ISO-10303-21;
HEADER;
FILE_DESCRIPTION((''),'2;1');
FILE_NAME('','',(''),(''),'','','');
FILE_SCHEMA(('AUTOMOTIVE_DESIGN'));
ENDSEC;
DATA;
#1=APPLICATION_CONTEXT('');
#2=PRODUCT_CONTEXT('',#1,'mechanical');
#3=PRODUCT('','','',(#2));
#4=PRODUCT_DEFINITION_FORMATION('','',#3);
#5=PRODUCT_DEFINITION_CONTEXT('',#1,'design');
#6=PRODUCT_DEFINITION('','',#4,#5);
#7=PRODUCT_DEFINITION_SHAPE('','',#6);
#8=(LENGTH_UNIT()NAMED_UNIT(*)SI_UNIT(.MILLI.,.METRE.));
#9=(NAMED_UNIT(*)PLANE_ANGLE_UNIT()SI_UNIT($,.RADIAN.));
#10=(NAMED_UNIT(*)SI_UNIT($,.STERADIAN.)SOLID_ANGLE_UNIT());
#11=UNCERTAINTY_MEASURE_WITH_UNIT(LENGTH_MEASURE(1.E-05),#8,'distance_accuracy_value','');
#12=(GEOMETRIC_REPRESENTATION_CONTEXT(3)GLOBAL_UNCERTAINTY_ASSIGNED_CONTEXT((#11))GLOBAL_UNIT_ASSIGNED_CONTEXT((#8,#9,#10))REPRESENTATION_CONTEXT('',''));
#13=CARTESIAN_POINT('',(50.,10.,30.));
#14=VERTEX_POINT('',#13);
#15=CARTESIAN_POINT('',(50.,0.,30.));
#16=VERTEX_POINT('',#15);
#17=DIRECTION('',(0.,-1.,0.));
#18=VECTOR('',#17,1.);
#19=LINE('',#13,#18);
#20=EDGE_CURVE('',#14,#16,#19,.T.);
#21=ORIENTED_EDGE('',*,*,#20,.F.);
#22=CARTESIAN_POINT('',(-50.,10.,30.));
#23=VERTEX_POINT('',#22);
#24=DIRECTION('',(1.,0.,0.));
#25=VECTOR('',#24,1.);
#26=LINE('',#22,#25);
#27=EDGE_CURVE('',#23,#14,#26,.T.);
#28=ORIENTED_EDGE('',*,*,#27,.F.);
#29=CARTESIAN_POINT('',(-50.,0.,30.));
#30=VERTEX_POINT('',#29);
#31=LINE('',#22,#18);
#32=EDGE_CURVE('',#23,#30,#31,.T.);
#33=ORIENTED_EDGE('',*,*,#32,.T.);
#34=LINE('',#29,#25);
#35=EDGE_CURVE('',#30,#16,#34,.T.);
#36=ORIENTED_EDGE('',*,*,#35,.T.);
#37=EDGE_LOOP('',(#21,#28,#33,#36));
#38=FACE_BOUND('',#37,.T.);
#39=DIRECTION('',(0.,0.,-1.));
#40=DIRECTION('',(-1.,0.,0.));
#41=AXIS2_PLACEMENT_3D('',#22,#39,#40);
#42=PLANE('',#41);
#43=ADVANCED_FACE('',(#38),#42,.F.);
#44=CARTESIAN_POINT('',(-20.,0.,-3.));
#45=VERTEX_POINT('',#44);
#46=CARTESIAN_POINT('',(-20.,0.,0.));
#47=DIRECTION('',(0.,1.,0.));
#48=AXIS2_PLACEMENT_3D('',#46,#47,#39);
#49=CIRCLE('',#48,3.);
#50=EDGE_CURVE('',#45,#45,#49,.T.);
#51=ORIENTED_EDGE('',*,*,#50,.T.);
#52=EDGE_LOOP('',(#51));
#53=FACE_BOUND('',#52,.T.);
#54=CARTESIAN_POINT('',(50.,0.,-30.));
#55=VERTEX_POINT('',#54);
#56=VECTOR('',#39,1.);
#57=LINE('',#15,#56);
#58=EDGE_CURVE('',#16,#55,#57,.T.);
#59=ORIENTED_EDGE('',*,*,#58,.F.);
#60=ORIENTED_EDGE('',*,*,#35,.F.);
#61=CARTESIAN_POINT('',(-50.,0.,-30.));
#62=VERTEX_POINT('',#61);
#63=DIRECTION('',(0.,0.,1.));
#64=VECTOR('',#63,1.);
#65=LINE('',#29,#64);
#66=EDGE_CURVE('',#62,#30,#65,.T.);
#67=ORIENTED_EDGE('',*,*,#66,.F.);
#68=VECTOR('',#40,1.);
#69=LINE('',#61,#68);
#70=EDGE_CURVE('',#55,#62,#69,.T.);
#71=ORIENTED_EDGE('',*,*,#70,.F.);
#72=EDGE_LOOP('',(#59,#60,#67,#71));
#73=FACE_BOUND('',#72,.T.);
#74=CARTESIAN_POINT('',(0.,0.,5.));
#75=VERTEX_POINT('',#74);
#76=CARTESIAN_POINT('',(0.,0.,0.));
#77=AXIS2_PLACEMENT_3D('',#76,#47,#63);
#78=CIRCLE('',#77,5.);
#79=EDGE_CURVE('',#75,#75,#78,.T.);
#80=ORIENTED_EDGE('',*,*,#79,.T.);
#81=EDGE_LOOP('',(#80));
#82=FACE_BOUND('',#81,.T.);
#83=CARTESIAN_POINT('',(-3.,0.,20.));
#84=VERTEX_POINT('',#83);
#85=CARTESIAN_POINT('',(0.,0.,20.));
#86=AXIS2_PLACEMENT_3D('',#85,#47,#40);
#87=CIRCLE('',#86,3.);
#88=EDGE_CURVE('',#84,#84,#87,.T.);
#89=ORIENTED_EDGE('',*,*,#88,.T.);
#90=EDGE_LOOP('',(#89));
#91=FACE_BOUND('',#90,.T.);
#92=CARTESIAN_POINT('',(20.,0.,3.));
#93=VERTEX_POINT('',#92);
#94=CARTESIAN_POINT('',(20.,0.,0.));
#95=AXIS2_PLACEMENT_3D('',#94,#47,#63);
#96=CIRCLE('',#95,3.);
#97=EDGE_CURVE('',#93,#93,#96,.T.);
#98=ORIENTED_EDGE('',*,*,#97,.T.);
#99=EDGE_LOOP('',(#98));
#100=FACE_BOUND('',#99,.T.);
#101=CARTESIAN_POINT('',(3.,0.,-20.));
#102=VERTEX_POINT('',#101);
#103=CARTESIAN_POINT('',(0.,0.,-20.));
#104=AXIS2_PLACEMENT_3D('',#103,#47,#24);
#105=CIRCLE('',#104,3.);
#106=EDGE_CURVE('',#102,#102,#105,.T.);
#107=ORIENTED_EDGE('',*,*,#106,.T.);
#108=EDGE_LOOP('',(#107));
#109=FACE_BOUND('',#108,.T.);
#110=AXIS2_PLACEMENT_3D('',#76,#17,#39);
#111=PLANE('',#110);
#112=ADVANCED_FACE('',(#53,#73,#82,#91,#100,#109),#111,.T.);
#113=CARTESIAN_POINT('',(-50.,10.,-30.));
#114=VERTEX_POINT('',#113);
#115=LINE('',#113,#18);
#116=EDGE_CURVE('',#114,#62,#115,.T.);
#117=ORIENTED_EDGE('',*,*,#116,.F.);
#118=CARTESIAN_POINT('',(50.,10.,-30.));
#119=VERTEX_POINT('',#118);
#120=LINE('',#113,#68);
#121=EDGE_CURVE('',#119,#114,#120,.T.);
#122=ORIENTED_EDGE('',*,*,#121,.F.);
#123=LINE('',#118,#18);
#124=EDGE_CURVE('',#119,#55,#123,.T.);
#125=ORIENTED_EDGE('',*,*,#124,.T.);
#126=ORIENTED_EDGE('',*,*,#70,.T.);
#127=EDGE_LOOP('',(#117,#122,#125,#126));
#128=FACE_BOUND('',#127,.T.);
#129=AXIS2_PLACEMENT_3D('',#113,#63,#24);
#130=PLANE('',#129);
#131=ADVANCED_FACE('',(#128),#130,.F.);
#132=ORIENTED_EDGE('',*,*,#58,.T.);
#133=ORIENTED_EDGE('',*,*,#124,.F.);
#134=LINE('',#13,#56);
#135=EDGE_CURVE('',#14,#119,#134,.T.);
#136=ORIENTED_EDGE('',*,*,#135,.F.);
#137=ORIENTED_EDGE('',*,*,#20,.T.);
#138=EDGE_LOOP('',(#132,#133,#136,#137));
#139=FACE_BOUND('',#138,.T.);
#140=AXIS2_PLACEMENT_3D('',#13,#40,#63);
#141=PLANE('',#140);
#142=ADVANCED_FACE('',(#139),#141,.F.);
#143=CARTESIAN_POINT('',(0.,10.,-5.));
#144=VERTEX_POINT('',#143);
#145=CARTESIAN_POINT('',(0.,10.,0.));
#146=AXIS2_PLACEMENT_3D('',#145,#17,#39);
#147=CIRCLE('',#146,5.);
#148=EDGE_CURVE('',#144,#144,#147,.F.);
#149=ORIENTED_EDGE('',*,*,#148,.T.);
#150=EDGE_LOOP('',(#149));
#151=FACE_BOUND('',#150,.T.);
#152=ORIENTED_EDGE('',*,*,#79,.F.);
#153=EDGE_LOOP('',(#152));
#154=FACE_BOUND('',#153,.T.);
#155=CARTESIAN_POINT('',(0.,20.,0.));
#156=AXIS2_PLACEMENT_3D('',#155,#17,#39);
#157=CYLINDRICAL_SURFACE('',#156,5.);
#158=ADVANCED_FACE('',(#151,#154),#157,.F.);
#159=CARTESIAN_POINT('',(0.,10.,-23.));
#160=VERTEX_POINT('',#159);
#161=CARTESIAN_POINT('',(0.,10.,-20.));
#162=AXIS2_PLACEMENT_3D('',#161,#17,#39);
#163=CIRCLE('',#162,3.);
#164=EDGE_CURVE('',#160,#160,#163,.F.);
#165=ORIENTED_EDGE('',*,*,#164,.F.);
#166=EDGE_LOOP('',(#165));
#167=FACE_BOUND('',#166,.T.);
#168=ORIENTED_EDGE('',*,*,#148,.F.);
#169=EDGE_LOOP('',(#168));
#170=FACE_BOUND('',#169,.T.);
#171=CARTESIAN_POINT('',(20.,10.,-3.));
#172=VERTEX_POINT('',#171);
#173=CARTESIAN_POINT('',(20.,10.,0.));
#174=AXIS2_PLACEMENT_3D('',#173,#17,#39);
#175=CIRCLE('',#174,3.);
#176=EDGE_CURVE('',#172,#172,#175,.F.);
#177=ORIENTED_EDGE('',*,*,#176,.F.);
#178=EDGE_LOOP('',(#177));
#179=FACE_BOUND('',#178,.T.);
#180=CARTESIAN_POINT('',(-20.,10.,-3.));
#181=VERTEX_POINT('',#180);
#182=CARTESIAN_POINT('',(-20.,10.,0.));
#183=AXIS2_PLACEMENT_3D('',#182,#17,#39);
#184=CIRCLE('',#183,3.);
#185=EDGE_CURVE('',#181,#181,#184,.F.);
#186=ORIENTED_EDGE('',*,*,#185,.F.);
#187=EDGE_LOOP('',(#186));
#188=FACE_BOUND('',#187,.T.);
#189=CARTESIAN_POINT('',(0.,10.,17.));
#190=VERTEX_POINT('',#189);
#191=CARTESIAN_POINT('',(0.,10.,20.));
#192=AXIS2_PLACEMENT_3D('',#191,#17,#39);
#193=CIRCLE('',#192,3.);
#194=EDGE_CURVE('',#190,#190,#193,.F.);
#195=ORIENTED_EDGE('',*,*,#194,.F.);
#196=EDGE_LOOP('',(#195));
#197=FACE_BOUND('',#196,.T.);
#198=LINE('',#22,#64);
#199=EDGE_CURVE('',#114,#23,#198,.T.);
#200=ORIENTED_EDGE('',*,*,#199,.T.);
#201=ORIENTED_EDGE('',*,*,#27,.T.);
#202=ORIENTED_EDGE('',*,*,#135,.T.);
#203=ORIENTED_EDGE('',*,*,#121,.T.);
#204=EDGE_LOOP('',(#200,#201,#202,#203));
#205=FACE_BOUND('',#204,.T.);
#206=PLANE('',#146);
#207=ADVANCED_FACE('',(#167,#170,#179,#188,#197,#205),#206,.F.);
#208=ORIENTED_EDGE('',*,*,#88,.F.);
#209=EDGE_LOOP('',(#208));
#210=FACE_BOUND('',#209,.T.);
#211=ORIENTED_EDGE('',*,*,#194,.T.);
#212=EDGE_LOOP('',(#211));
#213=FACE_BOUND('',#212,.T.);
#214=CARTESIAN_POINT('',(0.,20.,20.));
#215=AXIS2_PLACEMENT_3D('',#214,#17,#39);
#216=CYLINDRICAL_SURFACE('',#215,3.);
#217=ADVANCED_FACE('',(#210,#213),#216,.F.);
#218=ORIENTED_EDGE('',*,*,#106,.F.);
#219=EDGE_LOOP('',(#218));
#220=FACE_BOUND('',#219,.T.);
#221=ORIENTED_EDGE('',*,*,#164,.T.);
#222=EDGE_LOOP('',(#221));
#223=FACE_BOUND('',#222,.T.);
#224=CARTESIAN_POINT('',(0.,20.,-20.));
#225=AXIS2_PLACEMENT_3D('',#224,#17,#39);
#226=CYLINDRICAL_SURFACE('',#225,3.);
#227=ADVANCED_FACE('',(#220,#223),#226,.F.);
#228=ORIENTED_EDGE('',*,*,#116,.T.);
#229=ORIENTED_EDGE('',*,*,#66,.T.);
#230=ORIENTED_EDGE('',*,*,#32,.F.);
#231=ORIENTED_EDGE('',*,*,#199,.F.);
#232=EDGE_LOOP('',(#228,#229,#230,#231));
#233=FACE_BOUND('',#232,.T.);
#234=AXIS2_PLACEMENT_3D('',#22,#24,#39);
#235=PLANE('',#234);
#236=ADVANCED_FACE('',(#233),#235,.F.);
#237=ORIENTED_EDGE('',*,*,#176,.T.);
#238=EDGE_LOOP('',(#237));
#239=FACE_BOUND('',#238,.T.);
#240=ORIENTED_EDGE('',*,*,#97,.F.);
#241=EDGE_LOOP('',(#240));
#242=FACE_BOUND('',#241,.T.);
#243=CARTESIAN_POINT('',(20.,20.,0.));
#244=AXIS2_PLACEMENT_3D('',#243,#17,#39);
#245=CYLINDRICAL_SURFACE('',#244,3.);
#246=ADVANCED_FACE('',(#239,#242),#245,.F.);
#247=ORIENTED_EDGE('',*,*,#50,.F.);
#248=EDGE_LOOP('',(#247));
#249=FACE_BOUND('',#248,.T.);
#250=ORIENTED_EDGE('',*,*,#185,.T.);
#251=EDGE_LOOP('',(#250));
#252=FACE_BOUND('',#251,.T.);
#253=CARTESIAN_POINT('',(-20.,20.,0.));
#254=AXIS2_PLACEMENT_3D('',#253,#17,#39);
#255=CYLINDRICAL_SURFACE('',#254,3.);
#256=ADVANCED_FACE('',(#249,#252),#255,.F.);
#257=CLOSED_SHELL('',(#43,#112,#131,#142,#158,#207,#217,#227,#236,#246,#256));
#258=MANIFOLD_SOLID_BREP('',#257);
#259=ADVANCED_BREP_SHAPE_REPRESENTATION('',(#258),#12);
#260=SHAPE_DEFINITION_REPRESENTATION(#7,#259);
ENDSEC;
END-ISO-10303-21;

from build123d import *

# Parameters (mm, degrees)
SKETCH_1_W               = 100
SKETCH_1_H               = 60
EXTRUDE_1_DEPTH          = 10
SKETCH_2_R               = 5
CUT_EXTRUDE_1_DEPTH      = 20
SKETCH_3_R               = 3
CUT_EXTRUDE_2_DEPTH      = 20
PATTERN_CIRCULAR_1_COUNT = 4


with BuildPart() as part:
    # 草图1 → 凸台-拉伸1 (new body)
    with BuildSketch(Plane(origin=(0, 0, 0), x_dir=(1, 0, 0), z_dir=(0, 1, 0))):
        Rectangle(SKETCH_1_W, SKETCH_1_H)
    extrude(amount=EXTRUDE_1_DEPTH)

    # 草图2 → 切除-拉伸1 (cut)
    with BuildSketch(Plane(origin=(0, 0, 0), x_dir=(1, 0, 0), z_dir=(0, 1, 0))):
        with Locations(Location((0, 0, 0), (0, 0, 90))):
            Circle(SKETCH_2_R)
    extrude(amount=CUT_EXTRUDE_1_DEPTH, mode=Mode.SUBTRACT)

    # 草图3 → 切除-拉伸2 (cut)
    with BuildSketch(Plane(origin=(0, 0, 0), x_dir=(1, 0, 0), z_dir=(0, 1, 0))):
        with Locations(Location((20, 0, 0), (0, 0, 90))):
            Circle(SKETCH_3_R)
    cut_extrude_2 = extrude(amount=CUT_EXTRUDE_2_DEPTH, mode=Mode.SUBTRACT)

    # 阵列(圆周)1: 切除-拉伸2 ×4 about axis
    pattern_circular_1_axis = Axis((0, 0, 0), (0, 1, 0))
    for i in range(1, PATTERN_CIRCULAR_1_COUNT):
        add(cut_extrude_2.rotate(pattern_circular_1_axis, i * 360 / PATTERN_CIRCULAR_1_COUNT), mode=Mode.SUBTRACT)


solid = part.part
